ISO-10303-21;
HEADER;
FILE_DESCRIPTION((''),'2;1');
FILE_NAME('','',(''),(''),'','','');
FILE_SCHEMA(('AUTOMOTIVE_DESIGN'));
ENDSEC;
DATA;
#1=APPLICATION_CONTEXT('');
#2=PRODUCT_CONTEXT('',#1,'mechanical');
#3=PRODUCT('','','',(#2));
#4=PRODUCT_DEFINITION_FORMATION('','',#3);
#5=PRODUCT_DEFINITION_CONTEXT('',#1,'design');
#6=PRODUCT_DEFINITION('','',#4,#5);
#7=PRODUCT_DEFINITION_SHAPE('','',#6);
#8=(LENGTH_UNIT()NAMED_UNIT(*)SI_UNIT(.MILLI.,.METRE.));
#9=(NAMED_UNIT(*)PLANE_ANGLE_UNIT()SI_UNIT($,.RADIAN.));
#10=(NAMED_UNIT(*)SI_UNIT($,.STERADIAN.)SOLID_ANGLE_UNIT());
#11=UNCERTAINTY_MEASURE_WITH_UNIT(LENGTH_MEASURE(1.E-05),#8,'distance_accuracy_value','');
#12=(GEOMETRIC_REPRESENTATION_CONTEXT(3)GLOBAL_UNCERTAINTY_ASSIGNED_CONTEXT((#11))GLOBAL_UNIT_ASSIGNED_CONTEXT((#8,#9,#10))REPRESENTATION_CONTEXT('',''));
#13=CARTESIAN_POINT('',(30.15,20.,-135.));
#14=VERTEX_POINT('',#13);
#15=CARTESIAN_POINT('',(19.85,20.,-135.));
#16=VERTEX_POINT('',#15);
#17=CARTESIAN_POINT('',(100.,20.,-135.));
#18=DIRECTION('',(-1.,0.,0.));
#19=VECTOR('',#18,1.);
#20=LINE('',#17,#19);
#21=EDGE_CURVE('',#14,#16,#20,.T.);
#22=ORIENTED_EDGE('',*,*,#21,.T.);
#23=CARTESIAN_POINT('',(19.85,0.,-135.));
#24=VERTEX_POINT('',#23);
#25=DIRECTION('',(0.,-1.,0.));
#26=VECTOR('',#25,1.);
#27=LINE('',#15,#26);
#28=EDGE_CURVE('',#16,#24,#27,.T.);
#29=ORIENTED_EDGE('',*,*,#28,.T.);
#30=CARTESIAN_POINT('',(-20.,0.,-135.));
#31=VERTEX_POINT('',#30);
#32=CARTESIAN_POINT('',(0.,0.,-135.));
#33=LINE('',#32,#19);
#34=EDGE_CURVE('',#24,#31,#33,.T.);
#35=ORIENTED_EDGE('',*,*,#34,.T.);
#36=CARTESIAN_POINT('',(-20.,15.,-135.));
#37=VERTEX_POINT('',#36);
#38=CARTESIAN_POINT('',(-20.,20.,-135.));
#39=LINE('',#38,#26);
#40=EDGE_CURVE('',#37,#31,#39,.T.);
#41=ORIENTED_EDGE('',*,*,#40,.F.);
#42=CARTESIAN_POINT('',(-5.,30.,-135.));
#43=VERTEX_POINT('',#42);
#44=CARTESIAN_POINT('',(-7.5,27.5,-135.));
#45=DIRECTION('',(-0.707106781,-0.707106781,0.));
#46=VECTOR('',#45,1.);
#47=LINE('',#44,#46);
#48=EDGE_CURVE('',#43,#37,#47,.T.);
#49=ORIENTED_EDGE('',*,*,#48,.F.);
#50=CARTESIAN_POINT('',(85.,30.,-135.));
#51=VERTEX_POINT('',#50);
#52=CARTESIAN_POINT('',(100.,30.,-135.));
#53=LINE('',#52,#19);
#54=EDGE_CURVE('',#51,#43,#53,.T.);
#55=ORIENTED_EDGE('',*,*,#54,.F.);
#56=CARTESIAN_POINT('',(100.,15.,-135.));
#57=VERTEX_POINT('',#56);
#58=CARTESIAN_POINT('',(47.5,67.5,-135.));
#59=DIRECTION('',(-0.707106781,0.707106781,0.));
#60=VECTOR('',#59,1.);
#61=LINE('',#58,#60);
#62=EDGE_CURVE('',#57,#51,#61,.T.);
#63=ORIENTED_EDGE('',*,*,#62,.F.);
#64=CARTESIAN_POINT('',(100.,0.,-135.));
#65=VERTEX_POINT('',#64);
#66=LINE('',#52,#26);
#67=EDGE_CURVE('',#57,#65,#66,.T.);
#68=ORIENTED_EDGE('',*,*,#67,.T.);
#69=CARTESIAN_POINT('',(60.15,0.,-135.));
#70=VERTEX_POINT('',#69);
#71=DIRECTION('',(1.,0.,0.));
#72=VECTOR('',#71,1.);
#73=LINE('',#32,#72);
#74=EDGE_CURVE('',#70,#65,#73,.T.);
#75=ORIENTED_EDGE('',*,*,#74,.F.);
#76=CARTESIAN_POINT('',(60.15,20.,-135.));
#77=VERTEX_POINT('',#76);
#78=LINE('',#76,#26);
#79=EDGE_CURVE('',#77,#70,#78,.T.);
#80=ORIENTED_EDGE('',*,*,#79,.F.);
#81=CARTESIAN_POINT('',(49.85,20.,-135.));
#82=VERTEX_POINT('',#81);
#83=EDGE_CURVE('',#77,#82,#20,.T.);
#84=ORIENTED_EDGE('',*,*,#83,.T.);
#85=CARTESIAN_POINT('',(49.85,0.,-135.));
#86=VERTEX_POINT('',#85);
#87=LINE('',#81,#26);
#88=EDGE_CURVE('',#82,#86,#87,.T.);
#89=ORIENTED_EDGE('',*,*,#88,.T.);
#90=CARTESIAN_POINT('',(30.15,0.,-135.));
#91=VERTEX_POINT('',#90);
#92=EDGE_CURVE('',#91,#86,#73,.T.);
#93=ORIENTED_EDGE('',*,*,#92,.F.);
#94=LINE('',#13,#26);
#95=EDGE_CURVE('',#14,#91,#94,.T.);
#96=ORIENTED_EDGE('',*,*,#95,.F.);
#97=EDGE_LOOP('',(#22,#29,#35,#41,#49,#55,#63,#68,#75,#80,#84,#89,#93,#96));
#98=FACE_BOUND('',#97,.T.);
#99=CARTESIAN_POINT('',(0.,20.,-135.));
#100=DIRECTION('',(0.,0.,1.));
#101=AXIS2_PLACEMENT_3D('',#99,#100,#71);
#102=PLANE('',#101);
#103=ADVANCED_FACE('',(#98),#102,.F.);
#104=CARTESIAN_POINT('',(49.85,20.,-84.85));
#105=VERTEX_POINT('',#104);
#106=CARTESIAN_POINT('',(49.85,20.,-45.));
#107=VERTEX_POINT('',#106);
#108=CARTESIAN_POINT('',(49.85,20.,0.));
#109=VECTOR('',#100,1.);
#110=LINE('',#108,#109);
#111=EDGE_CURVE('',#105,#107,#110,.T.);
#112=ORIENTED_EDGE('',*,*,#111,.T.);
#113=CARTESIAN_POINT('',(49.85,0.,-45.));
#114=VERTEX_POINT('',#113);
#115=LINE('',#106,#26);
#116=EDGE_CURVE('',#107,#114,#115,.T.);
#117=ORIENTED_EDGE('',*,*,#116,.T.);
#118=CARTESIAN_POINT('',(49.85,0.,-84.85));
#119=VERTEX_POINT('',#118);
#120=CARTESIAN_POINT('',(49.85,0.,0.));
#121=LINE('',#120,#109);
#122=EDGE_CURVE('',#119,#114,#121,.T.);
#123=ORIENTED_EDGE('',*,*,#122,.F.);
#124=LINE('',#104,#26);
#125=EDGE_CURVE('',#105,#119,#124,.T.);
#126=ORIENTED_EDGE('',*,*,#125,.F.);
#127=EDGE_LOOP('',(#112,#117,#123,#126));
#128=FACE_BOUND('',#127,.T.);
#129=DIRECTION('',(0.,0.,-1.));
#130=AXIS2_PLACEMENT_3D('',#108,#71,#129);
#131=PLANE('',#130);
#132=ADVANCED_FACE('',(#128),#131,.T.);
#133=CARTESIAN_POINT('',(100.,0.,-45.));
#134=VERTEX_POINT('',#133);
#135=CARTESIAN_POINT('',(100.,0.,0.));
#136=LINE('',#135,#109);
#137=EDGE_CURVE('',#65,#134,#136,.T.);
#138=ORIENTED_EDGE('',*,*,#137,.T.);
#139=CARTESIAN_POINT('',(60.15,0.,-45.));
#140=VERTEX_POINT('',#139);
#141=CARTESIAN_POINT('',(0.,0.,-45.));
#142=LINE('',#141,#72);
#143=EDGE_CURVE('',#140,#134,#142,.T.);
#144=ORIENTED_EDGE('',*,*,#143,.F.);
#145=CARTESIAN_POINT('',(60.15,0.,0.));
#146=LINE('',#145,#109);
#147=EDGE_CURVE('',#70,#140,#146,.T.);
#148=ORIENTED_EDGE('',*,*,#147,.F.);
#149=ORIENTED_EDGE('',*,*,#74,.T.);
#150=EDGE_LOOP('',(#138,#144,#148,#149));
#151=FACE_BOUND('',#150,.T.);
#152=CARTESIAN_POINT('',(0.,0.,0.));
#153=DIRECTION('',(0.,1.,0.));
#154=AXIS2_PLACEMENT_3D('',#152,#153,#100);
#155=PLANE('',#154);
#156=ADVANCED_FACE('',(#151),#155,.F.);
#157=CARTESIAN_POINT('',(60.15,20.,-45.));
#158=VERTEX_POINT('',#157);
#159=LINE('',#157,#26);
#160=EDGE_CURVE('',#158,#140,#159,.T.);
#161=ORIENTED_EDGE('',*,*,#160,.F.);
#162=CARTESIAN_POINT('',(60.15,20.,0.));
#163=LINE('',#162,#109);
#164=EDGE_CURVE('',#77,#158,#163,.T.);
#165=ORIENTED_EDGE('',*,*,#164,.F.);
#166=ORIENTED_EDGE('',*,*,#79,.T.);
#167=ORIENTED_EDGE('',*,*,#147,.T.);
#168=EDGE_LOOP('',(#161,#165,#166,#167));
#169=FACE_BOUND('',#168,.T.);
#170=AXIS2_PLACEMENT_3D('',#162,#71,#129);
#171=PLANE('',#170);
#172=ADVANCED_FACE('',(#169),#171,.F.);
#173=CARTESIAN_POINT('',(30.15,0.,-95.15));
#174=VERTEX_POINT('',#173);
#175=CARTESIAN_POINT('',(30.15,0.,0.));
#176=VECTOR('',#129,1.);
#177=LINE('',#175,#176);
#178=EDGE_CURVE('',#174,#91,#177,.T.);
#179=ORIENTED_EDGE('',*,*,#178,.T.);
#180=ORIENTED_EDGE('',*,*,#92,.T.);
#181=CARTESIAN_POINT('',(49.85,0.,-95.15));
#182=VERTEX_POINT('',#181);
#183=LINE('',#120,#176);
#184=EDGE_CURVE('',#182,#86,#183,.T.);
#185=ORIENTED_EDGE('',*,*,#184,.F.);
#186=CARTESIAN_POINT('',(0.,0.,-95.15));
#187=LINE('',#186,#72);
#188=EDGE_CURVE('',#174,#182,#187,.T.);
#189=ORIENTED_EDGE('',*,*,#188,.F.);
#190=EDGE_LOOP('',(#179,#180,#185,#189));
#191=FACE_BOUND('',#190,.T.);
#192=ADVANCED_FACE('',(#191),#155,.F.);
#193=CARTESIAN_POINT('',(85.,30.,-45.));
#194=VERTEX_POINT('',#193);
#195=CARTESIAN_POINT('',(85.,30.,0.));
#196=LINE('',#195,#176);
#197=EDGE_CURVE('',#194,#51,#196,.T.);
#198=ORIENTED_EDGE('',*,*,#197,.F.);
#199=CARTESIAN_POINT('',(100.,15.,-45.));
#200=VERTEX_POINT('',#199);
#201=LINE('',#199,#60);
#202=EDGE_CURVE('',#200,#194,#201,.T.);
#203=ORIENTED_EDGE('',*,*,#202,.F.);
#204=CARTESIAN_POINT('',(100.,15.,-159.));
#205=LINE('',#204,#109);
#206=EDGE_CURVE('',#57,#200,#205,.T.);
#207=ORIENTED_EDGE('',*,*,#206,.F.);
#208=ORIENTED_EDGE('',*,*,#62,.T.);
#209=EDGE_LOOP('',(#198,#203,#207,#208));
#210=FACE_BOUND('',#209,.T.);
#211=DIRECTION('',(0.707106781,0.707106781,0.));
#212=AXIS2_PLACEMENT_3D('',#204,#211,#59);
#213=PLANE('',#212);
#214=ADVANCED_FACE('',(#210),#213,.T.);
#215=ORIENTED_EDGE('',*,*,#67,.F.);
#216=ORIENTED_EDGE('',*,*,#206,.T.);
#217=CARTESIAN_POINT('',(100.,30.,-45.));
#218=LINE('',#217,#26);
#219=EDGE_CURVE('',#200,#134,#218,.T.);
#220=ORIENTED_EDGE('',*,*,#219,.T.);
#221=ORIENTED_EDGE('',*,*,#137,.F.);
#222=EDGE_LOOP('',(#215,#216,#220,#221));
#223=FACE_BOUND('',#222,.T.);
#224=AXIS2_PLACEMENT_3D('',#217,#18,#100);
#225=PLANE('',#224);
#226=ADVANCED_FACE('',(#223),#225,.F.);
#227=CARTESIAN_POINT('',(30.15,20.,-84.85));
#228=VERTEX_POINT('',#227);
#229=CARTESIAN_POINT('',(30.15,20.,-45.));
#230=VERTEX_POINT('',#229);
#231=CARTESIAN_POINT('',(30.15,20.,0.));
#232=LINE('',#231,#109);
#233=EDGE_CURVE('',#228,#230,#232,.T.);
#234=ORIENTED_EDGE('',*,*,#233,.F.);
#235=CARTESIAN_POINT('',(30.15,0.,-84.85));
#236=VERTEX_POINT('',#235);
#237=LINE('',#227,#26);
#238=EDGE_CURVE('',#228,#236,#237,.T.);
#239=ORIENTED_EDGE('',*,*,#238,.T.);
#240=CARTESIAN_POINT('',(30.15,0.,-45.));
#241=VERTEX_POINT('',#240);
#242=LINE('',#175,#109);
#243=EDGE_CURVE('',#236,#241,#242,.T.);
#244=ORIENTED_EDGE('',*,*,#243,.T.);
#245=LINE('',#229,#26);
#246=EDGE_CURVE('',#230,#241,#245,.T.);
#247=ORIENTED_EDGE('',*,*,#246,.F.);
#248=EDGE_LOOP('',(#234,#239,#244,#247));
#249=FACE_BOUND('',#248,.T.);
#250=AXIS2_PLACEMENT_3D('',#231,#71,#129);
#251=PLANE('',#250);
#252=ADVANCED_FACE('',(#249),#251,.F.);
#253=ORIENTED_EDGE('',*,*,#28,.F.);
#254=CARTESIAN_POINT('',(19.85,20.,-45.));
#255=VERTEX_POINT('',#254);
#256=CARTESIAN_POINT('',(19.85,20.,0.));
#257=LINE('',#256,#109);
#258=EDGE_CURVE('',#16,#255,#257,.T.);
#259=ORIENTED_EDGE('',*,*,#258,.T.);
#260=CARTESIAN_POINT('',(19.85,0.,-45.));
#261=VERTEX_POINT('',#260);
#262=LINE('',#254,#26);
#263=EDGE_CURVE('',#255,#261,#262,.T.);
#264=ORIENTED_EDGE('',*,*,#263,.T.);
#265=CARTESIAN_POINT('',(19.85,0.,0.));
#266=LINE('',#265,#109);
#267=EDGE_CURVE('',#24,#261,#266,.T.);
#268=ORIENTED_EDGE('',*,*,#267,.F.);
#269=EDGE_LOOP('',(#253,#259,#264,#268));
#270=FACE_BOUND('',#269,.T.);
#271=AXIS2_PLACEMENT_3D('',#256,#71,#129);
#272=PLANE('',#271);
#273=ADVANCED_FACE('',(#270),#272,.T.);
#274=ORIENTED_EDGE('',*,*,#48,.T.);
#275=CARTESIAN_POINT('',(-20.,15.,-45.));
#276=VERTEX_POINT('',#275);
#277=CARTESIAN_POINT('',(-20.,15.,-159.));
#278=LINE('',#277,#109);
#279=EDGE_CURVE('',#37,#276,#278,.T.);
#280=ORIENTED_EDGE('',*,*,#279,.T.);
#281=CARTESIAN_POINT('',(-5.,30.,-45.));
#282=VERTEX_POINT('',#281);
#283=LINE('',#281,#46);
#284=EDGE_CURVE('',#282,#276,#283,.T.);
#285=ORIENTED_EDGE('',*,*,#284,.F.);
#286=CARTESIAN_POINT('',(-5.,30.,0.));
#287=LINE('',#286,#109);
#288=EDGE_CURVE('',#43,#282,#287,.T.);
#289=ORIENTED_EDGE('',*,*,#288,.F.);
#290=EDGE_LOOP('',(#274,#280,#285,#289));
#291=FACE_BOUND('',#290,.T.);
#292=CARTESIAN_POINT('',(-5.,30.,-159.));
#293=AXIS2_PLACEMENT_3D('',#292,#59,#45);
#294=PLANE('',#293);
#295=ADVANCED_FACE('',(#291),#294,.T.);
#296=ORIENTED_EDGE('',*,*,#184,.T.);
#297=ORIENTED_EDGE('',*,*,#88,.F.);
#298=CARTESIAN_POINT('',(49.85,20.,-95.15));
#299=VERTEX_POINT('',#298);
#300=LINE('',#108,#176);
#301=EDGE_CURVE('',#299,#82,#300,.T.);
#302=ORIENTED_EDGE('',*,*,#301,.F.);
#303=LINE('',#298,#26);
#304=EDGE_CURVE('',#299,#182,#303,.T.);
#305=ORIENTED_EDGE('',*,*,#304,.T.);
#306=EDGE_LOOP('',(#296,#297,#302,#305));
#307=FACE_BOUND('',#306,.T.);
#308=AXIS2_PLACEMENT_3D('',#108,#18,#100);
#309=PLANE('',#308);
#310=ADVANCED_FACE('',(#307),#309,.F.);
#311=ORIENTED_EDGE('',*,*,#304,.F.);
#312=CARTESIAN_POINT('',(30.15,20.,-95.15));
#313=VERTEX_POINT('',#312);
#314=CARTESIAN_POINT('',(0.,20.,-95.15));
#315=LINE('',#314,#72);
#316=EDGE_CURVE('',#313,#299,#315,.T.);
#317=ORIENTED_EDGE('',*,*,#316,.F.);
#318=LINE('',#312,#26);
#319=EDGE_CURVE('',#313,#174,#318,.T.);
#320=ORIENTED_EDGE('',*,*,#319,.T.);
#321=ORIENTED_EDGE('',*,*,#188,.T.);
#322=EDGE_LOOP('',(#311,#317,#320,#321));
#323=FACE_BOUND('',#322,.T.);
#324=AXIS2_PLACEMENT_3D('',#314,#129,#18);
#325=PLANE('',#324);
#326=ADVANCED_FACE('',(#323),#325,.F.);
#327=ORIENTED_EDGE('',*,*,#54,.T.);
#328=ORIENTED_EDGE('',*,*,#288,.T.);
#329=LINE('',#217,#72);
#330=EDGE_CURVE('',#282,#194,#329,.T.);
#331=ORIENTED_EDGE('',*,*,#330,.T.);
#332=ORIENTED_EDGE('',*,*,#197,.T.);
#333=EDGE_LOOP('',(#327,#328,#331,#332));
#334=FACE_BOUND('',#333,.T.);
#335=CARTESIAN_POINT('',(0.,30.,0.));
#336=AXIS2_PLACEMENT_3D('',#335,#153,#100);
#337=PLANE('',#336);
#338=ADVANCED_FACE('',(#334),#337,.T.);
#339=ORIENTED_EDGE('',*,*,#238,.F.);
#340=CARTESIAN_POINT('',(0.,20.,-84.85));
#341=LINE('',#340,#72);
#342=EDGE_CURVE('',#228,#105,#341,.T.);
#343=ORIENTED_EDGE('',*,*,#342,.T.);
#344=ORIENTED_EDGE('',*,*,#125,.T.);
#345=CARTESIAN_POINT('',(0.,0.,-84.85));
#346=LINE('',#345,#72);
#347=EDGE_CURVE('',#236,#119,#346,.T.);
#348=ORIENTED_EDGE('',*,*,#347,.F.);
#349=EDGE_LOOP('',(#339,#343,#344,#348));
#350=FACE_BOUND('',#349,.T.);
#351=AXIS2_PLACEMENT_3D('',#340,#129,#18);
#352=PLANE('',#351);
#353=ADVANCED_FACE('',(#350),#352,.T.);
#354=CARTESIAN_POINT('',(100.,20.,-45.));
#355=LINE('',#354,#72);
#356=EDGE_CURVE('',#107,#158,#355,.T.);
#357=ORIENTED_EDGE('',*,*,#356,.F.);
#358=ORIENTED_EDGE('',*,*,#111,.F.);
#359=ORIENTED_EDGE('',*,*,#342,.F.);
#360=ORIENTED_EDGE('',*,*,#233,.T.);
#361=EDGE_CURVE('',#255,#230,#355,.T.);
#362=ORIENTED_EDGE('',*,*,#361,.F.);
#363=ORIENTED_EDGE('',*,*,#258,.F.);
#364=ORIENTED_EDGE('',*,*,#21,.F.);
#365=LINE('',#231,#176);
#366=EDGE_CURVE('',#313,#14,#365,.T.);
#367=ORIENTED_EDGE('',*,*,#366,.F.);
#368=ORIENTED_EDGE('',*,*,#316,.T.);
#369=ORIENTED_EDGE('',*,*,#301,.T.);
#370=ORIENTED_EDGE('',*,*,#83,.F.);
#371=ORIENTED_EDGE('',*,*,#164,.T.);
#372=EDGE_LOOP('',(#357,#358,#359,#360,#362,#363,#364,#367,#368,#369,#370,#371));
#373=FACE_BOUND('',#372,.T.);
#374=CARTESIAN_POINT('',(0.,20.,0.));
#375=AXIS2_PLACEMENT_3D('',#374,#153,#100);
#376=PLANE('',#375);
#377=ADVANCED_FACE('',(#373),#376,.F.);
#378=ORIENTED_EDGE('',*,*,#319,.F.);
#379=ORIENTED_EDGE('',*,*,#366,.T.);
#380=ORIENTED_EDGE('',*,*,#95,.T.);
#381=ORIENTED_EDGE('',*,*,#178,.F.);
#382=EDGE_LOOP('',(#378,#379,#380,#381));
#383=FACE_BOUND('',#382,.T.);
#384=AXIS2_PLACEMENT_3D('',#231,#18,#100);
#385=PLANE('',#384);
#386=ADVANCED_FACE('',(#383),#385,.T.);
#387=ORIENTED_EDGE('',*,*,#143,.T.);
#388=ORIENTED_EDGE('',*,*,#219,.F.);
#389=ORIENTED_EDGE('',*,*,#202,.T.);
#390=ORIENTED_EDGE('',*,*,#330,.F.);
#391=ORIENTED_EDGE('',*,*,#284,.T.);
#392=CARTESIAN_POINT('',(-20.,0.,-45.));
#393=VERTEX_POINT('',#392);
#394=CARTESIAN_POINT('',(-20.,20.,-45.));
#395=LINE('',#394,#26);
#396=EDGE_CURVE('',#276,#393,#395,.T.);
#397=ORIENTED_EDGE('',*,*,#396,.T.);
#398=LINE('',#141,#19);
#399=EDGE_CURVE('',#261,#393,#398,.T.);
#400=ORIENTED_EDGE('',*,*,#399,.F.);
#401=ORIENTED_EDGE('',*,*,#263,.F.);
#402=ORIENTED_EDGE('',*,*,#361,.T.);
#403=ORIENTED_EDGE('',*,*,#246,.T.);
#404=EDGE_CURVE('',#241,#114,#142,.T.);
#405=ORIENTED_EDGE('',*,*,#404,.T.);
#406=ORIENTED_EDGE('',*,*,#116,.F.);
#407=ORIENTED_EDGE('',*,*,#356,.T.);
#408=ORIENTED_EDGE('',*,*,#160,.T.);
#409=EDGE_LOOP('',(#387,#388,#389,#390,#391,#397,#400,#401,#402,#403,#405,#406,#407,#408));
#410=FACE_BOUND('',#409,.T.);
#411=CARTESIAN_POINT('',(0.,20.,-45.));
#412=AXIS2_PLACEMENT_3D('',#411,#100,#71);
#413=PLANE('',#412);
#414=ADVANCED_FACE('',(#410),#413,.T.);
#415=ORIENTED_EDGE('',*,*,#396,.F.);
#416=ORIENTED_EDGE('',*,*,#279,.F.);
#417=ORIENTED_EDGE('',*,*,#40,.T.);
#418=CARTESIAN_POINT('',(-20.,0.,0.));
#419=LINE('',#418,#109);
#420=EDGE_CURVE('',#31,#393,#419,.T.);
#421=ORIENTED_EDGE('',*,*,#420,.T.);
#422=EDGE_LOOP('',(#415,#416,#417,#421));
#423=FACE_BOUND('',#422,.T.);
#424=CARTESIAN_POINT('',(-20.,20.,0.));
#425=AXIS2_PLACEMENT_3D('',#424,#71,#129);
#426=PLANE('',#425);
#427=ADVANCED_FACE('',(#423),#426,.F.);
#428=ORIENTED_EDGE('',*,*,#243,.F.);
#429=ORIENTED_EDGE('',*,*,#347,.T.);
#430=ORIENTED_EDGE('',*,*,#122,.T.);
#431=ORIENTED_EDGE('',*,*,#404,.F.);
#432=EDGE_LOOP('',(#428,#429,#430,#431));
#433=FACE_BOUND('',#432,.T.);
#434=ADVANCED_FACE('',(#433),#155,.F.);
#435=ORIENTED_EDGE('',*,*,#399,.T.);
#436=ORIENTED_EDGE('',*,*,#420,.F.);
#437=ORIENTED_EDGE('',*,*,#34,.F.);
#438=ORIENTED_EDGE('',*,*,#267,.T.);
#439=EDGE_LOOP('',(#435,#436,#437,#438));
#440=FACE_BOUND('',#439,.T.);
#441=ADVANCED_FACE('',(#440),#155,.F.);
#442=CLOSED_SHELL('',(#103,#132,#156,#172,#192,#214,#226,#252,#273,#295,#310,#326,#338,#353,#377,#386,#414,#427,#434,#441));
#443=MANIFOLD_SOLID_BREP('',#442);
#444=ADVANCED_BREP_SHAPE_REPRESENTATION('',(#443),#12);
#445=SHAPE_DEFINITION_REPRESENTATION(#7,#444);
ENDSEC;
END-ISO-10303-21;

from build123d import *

# Parameters (mm, degrees)
SKETCH2_W             = 39.85
SKETCH2_H             = 90
BOSS_EXTRUDE1_DEPTH   = 20
BOSS_EXTRUDE1_2_DEPTH = 20
BOSS_EXTRUDE1_3_DEPTH = 20
BOSS_EXTRUDE1_4_DEPTH = 20
SKETCH3_W             = 120
SKETCH3_H             = 90
BOSS_EXTRUDE2_DEPTH   = 10
CUT_EXTRUDE2_DEPTH    = 114


with BuildPart() as part:
    # Sketch2 → Boss-Extrude1 (new body)
    with BuildSketch(Plane(origin=(0, 0, 0), x_dir=(1, 0, 0), z_dir=(0, 1, 0))):
        with Locations((-0.075, 90)):
            Rectangle(SKETCH2_W, SKETCH2_H)
    extrude(amount=BOSS_EXTRUDE1_DEPTH)



with BuildPart() as body_2:
    # Sketch2 → Boss-Extrude1 2 (new body)
    with BuildSketch(Plane(origin=(0, 0, 0), x_dir=(1, 0, 0), z_dir=(0, 1, 0))):
        Polygon((49.85, 95.15), (49.85, 134.85), (49.85, 135), (30.15, 135), (30.15, 134.85), (30.15, 95.15), align=None)
    extrude(amount=BOSS_EXTRUDE1_2_DEPTH)


with BuildPart() as body_3:
    # Sketch2 → Boss-Extrude1 3 (new body)
    with BuildSketch(Plane(origin=(0, 0, 0), x_dir=(1, 0, 0), z_dir=(0, 1, 0))):
        Polygon((49.85, 45.15), (49.85, 45), (30.15, 45), (30.15, 45.15), (30.15, 84.85), (49.85, 84.85), align=None)
    extrude(amount=BOSS_EXTRUDE1_3_DEPTH)


with BuildPart() as body_4:
    # Sketch2 → Boss-Extrude1 4 (new body)
    with BuildSketch(Plane(origin=(0, 0, 0), x_dir=(1, 0, 0), z_dir=(0, 1, 0))):
        with Locations((80.075, 90)):
            Rectangle(SKETCH2_W, SKETCH2_H)
    extrude(amount=BOSS_EXTRUDE1_4_DEPTH)


with BuildPart() as part_1:
    add(part.part)

    add(body_2.part)  # Boss-Extrude2 merges body 2

    add(body_3.part)  # Boss-Extrude2 merges body 3

    add(body_4.part)  # Boss-Extrude2 merges body 4
    # Sketch3 → Boss-Extrude2 (add)
    with BuildSketch(Plane(origin=(0, 20, 0), x_dir=(1, 0, 0), z_dir=(0, 1, 0))):
        with Locations((40, 90)):
            Rectangle(SKETCH3_W, SKETCH3_H)
    extrude(amount=BOSS_EXTRUDE2_DEPTH)

    # Sketch5 → Cut-Extrude2 (cut)
    with BuildSketch(Plane.XY.offset(-45)):
        Polygon((-20, 30), (-20, 15), (-5, 30), align=None)
        Polygon((100, 30), (85, 30), (100, 15), align=None)
    extrude(amount=-CUT_EXTRUDE2_DEPTH, mode=Mode.SUBTRACT)


solid = part_1.part
